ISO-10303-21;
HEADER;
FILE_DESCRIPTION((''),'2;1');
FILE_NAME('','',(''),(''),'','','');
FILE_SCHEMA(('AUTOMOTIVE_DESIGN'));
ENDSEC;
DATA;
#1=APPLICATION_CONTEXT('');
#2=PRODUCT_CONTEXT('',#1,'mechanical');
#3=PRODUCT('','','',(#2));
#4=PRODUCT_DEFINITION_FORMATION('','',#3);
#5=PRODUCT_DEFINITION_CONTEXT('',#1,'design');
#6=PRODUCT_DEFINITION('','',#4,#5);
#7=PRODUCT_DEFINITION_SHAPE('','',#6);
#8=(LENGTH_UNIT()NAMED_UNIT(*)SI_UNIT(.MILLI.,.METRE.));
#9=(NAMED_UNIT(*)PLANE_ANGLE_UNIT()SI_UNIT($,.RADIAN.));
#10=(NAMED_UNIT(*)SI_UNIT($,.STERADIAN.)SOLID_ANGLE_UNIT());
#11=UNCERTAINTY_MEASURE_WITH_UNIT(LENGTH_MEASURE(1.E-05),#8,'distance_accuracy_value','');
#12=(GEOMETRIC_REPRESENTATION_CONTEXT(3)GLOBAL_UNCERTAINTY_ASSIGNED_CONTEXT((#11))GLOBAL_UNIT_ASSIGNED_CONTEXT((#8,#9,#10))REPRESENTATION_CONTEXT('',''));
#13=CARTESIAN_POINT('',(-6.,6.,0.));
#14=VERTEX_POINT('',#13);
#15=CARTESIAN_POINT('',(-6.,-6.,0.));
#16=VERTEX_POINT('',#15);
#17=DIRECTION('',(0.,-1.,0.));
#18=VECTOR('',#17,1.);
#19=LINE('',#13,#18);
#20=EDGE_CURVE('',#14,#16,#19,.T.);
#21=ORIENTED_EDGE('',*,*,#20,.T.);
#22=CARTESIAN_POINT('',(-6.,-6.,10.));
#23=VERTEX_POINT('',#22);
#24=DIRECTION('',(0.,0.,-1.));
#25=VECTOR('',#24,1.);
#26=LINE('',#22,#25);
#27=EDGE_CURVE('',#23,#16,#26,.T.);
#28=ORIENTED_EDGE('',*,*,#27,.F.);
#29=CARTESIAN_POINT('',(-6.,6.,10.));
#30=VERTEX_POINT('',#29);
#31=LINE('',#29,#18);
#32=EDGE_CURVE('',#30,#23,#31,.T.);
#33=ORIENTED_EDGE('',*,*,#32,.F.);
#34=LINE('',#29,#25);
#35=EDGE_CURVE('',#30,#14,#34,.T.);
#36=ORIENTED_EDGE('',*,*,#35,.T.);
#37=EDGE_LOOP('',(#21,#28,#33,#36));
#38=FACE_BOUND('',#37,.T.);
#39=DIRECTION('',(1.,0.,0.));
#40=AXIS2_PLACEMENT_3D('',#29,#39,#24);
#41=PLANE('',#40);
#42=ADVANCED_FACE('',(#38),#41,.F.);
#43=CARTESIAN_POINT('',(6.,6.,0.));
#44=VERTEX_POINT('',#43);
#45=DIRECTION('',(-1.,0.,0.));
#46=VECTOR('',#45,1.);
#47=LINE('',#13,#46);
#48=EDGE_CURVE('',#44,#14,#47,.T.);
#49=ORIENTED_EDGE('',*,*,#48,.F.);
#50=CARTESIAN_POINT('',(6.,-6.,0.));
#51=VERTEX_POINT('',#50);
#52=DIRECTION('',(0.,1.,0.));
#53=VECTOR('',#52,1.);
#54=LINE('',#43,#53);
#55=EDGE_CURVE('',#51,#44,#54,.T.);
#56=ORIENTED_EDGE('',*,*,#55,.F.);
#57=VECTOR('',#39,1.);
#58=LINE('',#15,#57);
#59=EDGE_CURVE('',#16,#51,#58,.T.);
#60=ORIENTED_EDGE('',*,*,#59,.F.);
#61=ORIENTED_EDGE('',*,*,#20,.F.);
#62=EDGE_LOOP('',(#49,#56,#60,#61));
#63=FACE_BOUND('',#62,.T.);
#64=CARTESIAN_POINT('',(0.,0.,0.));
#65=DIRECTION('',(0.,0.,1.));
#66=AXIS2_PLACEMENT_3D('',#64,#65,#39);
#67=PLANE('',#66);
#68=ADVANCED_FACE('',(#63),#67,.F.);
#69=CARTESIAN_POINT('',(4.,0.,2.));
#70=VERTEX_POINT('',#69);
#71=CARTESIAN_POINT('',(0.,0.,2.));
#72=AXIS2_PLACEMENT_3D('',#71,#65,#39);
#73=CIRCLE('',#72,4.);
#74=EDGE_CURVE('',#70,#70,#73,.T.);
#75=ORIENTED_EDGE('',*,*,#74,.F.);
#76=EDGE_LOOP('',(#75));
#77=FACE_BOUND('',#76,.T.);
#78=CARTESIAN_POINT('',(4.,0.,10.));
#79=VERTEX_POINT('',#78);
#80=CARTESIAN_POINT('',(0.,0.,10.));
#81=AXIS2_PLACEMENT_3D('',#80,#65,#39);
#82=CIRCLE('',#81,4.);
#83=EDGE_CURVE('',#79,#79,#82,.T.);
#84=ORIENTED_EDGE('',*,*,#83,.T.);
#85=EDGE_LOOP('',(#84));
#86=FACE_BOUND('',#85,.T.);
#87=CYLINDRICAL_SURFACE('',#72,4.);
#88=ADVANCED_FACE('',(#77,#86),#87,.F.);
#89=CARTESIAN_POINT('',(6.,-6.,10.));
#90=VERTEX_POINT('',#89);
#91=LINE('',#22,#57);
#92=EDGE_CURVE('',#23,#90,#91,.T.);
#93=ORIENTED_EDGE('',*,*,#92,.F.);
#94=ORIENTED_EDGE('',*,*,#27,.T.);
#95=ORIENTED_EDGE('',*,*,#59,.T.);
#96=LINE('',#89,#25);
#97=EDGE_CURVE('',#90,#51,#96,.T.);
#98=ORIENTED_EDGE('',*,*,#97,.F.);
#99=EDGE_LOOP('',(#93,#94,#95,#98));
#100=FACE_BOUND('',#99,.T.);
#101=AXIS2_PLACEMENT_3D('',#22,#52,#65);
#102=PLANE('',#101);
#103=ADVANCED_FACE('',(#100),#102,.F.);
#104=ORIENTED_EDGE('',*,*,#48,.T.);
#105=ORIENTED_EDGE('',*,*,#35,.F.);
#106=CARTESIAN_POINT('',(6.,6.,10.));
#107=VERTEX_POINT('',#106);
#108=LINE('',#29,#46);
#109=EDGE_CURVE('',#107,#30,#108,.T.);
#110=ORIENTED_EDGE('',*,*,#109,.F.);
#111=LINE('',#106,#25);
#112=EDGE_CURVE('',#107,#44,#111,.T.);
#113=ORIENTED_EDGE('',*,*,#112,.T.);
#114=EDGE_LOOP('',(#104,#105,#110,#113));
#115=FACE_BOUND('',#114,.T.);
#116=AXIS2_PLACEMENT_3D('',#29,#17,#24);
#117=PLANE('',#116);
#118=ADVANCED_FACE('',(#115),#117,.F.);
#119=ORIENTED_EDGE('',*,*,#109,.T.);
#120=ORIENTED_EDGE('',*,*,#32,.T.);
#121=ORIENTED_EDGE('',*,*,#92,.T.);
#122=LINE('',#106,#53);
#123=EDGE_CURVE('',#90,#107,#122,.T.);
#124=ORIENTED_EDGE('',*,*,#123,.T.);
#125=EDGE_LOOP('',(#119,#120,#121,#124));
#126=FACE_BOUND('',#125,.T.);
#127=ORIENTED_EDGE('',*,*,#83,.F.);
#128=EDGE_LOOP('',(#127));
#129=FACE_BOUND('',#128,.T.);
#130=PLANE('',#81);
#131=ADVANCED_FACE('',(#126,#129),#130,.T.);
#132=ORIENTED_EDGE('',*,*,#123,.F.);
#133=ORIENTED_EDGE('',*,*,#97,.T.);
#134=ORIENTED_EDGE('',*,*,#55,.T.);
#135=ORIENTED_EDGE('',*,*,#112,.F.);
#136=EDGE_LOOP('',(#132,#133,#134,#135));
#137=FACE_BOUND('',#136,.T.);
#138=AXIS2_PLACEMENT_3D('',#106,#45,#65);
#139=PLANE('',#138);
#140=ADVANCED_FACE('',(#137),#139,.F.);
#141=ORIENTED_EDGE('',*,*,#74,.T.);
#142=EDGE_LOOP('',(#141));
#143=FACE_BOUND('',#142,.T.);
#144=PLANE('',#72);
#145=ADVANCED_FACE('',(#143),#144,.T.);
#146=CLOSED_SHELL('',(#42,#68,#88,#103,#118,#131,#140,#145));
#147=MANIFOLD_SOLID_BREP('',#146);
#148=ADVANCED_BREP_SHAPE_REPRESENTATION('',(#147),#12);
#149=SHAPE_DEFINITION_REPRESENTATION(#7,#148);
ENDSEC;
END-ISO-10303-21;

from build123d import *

# Parameters (mm, degrees)
SKETCH1_W           = 12
SKETCH1_H           = 12
BOSS_EXTRUDE2_DEPTH = 10
SKETCH2_R           = 4
CUT_EXTRUDE1_DEPTH  = 8


with BuildPart() as part:
    # Sketch1 → Boss-Extrude2 (new body)
    with BuildSketch(Plane.XY):
        Rectangle(SKETCH1_W, SKETCH1_H)
    extrude(amount=BOSS_EXTRUDE2_DEPTH)

    # Sketch2 → Cut-Extrude1 (cut)
    with BuildSketch(Plane.XY.offset(10)):
        Circle(SKETCH2_R)
    extrude(amount=-CUT_EXTRUDE1_DEPTH, mode=Mode.SUBTRACT)


solid = part.part
